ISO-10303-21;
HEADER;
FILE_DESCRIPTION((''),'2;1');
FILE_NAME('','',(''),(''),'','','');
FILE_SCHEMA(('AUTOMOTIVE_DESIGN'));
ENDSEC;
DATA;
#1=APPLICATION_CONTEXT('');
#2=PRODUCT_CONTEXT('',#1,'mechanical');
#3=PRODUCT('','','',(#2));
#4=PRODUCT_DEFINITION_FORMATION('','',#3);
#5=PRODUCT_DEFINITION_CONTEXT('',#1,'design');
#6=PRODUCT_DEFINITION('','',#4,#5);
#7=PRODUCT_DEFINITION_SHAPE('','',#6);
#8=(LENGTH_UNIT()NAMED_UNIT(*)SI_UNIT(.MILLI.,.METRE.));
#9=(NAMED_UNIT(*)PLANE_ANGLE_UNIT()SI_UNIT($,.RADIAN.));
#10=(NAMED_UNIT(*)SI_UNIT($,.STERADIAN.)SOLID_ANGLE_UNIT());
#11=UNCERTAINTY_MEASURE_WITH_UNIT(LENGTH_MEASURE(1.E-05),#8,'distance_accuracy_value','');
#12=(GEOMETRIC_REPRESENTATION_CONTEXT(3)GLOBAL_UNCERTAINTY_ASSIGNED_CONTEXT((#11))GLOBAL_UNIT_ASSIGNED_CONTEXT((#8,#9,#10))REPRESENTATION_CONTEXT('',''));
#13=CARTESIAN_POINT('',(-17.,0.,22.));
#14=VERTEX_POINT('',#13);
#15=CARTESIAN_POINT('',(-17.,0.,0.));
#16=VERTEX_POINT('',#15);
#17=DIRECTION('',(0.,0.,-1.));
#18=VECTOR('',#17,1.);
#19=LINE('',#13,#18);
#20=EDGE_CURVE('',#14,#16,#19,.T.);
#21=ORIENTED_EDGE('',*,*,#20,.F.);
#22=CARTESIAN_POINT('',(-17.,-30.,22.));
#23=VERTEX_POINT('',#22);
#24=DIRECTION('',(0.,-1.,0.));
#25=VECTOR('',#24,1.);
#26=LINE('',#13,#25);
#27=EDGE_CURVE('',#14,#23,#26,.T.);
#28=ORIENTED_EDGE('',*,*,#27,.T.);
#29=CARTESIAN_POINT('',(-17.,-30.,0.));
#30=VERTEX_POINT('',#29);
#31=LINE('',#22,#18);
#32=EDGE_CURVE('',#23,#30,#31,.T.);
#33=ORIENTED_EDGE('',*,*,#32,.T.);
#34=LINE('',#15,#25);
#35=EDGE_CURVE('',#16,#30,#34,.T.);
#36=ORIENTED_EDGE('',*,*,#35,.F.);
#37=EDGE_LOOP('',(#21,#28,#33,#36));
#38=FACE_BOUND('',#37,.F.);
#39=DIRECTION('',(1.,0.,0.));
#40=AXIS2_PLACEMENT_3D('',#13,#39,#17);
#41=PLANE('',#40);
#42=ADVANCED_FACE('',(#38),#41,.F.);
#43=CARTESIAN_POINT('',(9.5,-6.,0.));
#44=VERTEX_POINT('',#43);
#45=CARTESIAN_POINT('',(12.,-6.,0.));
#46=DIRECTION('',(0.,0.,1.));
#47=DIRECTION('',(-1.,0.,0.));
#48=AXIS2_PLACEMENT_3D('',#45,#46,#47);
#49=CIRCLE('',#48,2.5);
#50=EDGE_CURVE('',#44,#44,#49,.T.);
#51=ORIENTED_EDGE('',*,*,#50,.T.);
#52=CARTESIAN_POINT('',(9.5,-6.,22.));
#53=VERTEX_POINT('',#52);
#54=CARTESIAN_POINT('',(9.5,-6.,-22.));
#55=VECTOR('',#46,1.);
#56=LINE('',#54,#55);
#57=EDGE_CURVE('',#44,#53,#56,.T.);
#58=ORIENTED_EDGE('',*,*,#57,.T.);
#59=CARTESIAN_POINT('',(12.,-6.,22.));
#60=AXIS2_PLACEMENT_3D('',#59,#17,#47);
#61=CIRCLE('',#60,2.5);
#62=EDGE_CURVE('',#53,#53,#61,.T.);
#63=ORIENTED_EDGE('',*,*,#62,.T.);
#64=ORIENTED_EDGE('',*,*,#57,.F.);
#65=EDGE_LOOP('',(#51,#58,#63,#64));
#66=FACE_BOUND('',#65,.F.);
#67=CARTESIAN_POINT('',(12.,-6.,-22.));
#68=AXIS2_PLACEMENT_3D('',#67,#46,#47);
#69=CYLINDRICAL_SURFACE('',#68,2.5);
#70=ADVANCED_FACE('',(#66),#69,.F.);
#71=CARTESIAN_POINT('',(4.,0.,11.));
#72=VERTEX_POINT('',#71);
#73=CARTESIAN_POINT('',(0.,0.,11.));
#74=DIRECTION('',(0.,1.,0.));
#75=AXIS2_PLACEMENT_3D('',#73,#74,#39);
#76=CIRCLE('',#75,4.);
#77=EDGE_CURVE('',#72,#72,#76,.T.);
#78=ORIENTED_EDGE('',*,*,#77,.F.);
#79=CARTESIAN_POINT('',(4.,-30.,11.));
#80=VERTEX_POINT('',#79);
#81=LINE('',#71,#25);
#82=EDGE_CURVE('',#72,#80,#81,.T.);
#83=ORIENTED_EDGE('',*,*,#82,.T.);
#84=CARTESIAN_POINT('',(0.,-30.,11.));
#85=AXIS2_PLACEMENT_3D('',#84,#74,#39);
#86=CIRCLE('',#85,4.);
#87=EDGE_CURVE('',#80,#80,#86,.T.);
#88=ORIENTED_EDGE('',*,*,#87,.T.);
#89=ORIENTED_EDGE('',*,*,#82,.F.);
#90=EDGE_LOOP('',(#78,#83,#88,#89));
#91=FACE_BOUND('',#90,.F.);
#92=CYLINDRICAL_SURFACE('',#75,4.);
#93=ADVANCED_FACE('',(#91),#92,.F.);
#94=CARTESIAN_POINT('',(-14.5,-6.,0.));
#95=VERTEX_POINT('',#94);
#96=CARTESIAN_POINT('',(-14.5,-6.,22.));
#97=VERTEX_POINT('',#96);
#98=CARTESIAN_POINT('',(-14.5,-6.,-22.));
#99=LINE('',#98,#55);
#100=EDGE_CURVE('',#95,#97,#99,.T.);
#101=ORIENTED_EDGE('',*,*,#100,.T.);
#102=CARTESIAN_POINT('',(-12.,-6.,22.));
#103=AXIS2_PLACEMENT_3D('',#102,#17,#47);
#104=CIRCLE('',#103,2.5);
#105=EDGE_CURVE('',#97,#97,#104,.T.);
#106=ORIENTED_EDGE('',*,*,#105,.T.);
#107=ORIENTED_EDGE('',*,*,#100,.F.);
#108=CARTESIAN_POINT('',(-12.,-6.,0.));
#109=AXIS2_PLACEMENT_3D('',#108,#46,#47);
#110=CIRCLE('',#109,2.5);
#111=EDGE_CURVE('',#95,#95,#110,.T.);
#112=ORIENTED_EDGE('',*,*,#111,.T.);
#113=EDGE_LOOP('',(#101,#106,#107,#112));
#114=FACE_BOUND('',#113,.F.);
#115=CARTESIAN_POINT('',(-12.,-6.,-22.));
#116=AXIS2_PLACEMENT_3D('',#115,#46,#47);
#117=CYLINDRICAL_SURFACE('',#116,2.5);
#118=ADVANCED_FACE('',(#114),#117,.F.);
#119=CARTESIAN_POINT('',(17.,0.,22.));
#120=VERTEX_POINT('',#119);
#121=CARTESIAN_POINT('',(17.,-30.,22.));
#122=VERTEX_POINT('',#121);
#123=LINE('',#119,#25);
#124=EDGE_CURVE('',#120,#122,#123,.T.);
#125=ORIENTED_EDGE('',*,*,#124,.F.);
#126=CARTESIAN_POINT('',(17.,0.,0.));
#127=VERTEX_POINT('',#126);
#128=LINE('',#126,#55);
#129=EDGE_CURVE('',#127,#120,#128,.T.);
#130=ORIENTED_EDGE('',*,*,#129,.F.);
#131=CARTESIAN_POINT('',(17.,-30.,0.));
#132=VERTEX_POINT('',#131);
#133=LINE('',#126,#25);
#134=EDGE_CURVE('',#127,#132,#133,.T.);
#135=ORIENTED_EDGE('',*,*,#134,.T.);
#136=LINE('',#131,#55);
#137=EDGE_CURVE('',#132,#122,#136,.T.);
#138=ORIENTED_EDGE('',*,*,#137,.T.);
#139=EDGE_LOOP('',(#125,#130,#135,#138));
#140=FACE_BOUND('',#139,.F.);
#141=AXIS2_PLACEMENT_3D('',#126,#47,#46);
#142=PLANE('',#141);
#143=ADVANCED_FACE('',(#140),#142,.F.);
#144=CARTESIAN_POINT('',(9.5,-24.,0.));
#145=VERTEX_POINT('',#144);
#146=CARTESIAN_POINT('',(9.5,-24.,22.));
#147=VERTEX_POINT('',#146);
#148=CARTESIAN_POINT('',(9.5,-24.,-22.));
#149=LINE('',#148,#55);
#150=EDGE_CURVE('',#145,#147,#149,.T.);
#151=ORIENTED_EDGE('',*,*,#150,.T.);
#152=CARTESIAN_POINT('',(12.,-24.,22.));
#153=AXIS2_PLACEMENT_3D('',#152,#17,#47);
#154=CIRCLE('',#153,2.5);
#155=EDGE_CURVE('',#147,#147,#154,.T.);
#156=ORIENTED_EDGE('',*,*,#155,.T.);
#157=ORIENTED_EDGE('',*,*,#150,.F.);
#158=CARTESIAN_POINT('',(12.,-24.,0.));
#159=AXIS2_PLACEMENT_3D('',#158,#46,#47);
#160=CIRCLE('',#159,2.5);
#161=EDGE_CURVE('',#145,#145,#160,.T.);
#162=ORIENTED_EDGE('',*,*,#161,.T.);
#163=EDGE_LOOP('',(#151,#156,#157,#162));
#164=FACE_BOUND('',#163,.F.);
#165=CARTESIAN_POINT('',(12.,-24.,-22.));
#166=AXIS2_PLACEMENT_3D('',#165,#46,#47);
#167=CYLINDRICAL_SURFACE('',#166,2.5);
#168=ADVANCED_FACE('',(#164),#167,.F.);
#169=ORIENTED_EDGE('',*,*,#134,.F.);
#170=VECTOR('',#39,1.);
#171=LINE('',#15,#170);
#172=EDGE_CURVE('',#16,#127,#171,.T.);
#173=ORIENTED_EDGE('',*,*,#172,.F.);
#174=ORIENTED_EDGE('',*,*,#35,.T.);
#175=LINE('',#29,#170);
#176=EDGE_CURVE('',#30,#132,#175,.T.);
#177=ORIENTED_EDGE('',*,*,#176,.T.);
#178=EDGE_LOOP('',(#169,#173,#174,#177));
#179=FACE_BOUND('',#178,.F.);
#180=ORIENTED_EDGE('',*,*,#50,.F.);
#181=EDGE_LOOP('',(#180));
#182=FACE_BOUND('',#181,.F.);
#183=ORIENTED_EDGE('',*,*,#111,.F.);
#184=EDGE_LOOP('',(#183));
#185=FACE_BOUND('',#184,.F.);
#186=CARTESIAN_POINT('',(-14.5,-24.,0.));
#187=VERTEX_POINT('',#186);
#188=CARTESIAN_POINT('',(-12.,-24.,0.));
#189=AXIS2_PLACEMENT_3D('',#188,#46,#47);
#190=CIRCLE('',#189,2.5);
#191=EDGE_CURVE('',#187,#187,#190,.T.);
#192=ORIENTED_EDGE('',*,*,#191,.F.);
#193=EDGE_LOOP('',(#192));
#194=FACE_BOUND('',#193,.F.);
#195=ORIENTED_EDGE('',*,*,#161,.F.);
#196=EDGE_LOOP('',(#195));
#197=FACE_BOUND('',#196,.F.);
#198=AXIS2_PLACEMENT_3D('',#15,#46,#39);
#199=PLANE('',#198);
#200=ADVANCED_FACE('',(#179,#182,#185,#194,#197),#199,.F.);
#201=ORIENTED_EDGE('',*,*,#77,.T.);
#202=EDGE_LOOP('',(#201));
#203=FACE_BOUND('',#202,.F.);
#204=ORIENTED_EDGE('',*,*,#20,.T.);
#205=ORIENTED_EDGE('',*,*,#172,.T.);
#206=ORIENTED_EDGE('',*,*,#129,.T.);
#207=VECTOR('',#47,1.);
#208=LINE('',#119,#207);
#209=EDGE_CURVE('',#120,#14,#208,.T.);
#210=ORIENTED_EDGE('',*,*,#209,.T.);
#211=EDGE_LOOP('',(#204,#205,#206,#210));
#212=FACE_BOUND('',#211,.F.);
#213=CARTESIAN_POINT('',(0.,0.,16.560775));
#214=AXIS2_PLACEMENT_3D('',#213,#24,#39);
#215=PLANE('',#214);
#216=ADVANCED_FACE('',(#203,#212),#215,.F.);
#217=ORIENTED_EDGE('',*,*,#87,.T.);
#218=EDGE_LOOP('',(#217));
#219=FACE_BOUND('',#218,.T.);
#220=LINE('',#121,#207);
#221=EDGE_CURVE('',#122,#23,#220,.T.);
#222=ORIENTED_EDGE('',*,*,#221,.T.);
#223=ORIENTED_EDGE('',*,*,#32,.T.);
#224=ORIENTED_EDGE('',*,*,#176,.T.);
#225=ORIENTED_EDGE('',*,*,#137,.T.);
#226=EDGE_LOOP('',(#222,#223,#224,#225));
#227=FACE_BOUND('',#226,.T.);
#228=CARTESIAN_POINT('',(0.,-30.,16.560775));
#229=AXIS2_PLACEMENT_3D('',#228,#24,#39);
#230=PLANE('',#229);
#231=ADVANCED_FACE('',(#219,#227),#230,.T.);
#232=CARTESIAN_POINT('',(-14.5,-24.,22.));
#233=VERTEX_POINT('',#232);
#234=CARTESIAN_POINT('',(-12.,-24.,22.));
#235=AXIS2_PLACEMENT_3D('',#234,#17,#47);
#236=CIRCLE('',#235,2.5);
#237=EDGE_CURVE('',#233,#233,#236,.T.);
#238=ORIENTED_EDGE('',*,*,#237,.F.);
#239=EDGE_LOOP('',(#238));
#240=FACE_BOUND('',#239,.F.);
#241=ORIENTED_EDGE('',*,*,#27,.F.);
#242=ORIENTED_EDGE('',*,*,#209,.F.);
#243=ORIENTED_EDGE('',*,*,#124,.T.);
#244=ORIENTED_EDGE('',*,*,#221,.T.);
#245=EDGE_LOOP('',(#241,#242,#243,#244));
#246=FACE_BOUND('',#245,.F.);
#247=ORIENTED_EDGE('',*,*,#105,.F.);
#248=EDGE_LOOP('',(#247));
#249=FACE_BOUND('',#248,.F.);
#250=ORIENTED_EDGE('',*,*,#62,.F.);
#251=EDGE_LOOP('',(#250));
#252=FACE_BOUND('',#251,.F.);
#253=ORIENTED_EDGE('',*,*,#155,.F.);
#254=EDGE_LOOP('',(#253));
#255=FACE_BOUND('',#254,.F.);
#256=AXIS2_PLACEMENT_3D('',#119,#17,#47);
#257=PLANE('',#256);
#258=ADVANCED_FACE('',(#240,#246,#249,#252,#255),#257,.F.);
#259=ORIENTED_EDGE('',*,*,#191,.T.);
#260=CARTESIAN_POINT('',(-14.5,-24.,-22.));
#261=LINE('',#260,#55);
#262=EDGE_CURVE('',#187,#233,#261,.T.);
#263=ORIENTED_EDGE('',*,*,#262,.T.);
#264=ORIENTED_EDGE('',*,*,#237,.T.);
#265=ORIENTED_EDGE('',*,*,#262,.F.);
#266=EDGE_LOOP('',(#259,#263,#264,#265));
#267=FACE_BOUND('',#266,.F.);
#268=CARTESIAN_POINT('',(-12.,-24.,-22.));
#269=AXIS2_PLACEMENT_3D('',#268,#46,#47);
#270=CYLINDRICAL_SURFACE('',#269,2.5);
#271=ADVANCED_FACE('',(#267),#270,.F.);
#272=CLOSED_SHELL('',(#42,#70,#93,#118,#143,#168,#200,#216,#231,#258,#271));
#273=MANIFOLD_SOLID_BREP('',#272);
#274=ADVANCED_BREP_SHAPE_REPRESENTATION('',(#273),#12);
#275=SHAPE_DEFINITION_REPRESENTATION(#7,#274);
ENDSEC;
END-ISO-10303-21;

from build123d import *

# Parameters (mm, degrees)
F2_DEPTH = 30
F3_D     = 5
F3_DEPTH = 22
F3_TIP   = 1.5021515476


with BuildPart() as f2:
    # F0 (on Front) → F2 (new body)
    with BuildSketch(Plane.XZ):
        with BuildLine():
            Line((-17, 22), (-17, 11))
            Line((-17, 11), (-4, 11))
            ThreePointArc((-4, 11), (0, 15), (4, 11))
            Line((4, 11), (17, 11))
            Line((17, 11), (17, 22))
            Line((17, 22), (7.3435500053, 22))
            Line((7.3435500053, 22), (0, 22))
            Line((0, 22), (-17, 22))
        make_face()
        with BuildLine():
            Line((-17, 11), (-17, 0))
            Line((-17, 0), (0, 0))
            Line((0, 0), (17, 0))
            Line((17, 0), (17, 11))
            Line((17, 11), (4, 11))
            ThreePointArc((4, 11), (0, 7), (-4, 11))
            Line((-4, 11), (-17, 11))
        make_face()
    extrude(amount=F2_DEPTH)

    # F3
    with Locations(Plane(origin=(0, 0, 0), x_dir=(1, 0, 0), z_dir=(0, 0, -1))):
        with Locations((-12, 24), (-12, 6), (12, 24), (12, 6)):
            Hole(F3_D / 2, depth=F3_DEPTH)
            with Locations((0, 0, -(F3_DEPTH + F3_TIP / 2))):  # 118° drill point
                Cone(0, F3_D / 2, F3_TIP, mode=Mode.SUBTRACT)


solid = f2.part
